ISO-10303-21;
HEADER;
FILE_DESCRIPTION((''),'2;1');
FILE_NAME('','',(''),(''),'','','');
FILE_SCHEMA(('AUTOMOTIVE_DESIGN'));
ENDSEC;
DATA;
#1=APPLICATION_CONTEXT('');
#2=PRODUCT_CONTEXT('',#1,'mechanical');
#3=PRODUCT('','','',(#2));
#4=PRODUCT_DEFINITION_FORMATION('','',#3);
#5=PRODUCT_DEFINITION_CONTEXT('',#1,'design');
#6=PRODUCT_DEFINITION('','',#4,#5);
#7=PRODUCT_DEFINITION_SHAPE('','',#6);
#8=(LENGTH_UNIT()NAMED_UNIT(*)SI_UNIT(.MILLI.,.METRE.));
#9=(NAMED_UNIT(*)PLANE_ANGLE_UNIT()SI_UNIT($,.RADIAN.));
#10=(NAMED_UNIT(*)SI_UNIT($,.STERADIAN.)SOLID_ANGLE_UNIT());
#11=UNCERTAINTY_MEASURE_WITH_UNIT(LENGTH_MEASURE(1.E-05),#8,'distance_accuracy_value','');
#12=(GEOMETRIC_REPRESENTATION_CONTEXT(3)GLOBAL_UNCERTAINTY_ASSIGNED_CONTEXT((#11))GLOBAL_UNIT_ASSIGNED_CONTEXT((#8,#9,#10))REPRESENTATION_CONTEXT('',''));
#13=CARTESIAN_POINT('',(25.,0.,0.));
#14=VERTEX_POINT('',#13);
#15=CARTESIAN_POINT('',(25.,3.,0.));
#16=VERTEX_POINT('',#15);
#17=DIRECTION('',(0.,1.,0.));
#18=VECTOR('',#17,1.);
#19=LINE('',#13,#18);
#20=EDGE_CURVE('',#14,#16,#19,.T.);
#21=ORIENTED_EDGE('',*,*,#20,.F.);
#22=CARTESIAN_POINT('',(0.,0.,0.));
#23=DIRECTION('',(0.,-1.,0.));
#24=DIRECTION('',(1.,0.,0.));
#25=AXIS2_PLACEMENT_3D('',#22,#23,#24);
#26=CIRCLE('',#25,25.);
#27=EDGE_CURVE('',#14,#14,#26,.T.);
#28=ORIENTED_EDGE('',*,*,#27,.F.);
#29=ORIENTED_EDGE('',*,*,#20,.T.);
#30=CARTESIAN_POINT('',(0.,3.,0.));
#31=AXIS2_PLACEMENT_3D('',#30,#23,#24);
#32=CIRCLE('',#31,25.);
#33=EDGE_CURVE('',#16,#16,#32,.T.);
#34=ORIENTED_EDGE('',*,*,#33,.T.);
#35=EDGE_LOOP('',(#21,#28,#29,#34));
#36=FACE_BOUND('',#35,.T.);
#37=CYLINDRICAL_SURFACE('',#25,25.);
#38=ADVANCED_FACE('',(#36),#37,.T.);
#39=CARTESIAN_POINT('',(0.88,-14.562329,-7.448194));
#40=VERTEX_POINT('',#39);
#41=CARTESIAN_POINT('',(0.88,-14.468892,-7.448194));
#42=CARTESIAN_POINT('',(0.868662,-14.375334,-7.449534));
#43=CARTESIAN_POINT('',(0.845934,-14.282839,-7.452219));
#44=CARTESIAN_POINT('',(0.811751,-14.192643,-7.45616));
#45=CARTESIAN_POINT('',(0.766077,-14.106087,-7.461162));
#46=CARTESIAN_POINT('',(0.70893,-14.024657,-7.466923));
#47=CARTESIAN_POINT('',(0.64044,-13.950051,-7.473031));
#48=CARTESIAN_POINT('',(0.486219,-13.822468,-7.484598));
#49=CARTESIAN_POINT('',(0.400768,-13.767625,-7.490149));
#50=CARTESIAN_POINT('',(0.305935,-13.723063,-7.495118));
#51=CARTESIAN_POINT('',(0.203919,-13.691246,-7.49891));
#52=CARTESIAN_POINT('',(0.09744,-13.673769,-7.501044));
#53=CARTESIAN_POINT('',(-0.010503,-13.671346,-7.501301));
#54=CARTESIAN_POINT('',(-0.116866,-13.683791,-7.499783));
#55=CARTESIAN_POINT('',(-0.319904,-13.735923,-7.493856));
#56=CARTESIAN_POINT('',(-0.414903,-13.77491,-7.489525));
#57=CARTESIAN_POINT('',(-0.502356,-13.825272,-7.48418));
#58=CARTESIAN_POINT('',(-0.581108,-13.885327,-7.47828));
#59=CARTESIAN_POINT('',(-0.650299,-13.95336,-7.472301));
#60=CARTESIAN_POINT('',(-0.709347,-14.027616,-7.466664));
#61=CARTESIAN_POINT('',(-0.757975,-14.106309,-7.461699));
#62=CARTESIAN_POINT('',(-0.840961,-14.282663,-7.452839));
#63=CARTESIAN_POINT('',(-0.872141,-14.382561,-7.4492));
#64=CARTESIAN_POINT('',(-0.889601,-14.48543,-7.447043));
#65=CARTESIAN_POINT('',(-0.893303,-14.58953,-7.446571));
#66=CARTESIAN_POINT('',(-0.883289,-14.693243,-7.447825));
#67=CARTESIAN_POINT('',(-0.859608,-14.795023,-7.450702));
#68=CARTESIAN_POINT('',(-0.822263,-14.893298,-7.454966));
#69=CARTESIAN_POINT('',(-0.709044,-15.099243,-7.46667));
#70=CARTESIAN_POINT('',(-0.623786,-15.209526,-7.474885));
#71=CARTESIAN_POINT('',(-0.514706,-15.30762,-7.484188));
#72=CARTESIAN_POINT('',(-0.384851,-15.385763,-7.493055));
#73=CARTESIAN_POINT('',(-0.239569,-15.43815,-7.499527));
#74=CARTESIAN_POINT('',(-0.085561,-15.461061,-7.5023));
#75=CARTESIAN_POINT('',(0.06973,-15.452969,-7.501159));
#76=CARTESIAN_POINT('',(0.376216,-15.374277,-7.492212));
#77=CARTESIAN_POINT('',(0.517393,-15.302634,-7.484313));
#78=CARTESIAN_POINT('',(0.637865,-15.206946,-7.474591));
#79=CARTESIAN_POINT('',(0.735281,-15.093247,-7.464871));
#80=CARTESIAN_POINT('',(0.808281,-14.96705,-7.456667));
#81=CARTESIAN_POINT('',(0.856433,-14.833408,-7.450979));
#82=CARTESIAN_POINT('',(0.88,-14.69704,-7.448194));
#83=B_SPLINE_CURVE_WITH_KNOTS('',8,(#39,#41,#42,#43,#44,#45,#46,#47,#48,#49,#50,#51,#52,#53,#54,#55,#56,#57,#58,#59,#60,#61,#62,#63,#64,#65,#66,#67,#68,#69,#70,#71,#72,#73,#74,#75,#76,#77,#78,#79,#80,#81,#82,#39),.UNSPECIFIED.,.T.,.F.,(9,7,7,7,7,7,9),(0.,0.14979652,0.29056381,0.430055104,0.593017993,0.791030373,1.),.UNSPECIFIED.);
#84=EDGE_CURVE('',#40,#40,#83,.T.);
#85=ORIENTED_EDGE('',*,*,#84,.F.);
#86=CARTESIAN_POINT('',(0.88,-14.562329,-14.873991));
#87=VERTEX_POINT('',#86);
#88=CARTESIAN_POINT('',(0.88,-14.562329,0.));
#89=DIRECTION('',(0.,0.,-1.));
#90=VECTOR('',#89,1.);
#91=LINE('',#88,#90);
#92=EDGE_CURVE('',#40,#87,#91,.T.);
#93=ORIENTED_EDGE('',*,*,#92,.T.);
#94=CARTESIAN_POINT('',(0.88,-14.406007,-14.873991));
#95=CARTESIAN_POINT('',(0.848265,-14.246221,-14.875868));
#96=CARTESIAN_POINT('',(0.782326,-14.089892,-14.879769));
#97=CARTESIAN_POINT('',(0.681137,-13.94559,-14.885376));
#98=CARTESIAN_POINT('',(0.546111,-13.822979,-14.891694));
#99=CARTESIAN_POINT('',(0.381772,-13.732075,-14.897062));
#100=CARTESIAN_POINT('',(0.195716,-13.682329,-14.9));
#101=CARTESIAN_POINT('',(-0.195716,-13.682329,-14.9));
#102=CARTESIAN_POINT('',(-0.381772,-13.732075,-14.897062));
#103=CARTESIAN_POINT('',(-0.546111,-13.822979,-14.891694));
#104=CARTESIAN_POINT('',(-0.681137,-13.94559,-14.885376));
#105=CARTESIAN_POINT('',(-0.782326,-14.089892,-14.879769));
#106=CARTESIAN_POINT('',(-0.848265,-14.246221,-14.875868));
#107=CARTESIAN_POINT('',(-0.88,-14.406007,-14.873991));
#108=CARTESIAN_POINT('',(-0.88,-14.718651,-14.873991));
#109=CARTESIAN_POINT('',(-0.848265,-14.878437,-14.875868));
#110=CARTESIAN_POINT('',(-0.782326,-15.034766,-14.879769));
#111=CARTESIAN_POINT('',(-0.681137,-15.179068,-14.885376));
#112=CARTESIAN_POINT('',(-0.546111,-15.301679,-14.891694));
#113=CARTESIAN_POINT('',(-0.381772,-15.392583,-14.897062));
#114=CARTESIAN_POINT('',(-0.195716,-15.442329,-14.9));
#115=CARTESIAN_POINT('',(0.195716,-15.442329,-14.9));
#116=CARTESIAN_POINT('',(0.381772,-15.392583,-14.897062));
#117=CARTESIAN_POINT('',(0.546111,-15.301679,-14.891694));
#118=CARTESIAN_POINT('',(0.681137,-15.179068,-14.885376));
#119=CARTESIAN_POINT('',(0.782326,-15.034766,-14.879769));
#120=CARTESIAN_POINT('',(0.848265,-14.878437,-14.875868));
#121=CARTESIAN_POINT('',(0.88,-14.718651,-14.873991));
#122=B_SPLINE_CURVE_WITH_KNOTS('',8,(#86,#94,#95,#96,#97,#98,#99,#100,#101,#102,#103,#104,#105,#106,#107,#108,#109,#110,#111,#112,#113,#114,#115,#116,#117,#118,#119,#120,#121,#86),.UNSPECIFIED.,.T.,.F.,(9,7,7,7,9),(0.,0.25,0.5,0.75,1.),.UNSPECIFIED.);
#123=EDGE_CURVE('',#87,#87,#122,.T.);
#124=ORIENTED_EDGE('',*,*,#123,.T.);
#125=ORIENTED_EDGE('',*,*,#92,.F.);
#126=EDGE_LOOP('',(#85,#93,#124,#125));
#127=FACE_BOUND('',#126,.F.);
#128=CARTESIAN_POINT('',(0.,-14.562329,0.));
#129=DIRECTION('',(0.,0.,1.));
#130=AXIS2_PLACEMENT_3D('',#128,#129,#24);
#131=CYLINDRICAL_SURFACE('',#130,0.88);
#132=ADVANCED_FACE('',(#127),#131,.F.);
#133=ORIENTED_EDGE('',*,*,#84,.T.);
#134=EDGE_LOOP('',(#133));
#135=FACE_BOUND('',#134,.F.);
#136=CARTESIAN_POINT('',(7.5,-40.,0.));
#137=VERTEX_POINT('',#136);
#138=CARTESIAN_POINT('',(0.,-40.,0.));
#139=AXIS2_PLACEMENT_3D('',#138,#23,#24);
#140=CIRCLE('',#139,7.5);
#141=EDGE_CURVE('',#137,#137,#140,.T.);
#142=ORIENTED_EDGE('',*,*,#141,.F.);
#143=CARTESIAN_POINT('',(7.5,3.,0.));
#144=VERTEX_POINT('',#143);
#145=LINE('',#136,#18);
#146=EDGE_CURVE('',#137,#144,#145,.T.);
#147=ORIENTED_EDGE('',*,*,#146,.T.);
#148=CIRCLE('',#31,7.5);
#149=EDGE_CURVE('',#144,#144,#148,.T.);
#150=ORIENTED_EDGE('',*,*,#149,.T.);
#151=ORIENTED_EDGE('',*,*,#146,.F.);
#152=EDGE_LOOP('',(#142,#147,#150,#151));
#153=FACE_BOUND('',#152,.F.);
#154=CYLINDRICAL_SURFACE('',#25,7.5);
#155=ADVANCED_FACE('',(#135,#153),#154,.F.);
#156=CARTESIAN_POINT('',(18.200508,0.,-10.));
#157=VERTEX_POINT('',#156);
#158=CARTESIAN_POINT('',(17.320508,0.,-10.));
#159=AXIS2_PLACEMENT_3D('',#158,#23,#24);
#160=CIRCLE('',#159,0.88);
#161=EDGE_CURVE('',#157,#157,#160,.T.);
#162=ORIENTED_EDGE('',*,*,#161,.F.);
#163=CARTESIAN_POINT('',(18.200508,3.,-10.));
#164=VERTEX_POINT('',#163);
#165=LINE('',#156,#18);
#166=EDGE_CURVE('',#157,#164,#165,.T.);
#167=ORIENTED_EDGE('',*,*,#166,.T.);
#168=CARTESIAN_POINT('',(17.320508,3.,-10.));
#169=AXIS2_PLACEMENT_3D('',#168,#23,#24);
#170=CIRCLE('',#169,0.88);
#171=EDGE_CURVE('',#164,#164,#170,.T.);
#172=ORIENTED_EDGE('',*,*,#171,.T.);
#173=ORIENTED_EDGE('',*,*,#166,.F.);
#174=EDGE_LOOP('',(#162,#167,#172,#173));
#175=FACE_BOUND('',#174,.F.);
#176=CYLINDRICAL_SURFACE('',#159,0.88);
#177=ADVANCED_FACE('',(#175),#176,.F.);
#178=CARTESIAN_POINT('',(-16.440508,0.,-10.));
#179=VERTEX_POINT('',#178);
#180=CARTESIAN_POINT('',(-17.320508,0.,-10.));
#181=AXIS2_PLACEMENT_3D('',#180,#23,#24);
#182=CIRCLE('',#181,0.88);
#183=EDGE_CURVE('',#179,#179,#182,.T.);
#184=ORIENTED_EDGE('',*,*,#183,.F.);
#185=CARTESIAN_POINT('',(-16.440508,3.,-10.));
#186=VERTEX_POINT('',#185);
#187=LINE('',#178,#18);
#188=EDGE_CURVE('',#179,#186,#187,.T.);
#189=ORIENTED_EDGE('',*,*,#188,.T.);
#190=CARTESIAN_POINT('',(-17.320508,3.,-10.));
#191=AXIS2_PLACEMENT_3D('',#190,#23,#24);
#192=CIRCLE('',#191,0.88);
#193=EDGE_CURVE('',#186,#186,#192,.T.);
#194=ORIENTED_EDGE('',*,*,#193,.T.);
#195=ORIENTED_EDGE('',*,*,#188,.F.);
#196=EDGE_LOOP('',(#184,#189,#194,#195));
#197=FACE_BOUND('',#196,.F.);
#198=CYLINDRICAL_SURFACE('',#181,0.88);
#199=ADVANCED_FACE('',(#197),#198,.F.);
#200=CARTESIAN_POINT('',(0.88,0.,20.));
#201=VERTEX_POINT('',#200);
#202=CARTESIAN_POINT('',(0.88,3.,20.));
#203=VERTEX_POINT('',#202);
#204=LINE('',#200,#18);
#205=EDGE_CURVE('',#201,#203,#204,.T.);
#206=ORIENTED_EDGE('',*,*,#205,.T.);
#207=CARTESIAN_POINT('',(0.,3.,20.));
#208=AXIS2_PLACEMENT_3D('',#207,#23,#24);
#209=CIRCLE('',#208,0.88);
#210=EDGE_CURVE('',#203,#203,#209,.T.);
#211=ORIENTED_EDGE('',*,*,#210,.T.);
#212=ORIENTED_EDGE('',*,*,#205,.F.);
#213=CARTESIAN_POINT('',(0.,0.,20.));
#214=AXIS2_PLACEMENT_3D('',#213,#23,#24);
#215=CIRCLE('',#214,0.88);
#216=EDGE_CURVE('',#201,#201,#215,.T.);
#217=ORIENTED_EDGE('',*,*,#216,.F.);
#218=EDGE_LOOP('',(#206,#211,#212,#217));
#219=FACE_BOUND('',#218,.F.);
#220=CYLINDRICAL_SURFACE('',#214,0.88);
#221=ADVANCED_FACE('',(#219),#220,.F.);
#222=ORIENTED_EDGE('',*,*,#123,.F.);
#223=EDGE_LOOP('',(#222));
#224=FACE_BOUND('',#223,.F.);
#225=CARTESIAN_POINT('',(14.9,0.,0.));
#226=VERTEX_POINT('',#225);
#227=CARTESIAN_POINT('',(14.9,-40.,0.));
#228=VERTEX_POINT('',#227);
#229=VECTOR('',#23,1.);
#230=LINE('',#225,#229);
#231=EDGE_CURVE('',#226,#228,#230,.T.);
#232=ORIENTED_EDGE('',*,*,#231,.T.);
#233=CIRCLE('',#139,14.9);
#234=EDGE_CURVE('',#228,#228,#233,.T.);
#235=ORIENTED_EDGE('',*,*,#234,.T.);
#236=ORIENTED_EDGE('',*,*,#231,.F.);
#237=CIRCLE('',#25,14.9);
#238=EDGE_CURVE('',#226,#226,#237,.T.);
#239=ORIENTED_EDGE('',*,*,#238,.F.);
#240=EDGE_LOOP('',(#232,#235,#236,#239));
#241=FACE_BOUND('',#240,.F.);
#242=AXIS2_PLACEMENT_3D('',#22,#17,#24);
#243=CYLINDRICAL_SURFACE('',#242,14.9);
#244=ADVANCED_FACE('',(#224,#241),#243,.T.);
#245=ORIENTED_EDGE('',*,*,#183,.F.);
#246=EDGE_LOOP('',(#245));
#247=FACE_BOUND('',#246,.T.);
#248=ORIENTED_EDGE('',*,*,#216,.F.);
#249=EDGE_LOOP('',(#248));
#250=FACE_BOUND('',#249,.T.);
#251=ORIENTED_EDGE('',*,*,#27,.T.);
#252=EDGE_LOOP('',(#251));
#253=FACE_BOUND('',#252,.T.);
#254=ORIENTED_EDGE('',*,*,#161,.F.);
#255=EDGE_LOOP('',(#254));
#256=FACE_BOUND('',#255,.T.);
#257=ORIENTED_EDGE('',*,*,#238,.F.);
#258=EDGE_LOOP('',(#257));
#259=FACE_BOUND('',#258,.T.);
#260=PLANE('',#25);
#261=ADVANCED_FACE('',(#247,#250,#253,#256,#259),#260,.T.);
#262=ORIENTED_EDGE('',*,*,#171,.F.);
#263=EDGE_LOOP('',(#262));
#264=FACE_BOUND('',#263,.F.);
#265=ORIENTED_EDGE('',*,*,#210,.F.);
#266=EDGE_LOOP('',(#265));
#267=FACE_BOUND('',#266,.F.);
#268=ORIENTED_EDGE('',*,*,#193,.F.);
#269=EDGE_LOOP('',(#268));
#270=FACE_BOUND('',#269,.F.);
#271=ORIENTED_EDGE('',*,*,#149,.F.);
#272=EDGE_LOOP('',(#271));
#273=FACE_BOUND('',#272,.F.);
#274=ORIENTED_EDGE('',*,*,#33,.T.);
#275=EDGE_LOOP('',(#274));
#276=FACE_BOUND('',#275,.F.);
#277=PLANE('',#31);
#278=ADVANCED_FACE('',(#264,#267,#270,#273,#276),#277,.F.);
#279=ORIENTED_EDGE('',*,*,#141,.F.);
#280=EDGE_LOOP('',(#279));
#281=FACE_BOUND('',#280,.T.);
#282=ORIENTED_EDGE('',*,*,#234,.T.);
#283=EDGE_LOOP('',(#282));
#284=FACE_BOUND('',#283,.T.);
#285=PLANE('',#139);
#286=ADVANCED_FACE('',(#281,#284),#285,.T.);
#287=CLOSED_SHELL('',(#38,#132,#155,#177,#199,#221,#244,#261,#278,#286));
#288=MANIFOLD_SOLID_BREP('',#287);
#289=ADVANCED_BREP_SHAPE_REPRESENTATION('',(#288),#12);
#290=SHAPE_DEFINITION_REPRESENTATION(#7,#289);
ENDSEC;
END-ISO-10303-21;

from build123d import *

# Parameters (mm, degrees)
F0_R     = 14.9
F0_R_2   = 7.5
F1_DEPTH = 40
F0_R_3   = 25
F0_R_4   = 0.88
F2_DEPTH = 3
F3_R     = 0.88
F4_DEPTH = 25


with BuildPart() as f1:
    # F0 (on Front) → F1 (new body)
    with BuildSketch(Plane.XZ):
        Circle(F0_R)
        Circle(F0_R_2, mode=Mode.SUBTRACT)
    extrude(amount=F1_DEPTH)

    # F0 (on Front) → F2 (join)
    with BuildSketch(Plane.XZ):
        Circle(F0_R_3)
        with Locations((-17.320508, -10)):
            Circle(F0_R_4, mode=Mode.SUBTRACT)
        with Locations((17.320508, -10)):
            Circle(F0_R_4, mode=Mode.SUBTRACT)
        Circle(F0_R, mode=Mode.SUBTRACT)
        with Locations((0, 20)):
            Circle(F0_R_4, mode=Mode.SUBTRACT)
        Circle(F0_R)
        Circle(F0_R_2, mode=Mode.SUBTRACT)
    extrude(amount=-F2_DEPTH)

    # F3 (on Top) → F4 (cut)
    with BuildSketch(Plane.XY):
        with Locations((0, -14.562329)):
            Circle(F3_R)
    extrude(amount=-F4_DEPTH, mode=Mode.SUBTRACT)


solid = f1.part
